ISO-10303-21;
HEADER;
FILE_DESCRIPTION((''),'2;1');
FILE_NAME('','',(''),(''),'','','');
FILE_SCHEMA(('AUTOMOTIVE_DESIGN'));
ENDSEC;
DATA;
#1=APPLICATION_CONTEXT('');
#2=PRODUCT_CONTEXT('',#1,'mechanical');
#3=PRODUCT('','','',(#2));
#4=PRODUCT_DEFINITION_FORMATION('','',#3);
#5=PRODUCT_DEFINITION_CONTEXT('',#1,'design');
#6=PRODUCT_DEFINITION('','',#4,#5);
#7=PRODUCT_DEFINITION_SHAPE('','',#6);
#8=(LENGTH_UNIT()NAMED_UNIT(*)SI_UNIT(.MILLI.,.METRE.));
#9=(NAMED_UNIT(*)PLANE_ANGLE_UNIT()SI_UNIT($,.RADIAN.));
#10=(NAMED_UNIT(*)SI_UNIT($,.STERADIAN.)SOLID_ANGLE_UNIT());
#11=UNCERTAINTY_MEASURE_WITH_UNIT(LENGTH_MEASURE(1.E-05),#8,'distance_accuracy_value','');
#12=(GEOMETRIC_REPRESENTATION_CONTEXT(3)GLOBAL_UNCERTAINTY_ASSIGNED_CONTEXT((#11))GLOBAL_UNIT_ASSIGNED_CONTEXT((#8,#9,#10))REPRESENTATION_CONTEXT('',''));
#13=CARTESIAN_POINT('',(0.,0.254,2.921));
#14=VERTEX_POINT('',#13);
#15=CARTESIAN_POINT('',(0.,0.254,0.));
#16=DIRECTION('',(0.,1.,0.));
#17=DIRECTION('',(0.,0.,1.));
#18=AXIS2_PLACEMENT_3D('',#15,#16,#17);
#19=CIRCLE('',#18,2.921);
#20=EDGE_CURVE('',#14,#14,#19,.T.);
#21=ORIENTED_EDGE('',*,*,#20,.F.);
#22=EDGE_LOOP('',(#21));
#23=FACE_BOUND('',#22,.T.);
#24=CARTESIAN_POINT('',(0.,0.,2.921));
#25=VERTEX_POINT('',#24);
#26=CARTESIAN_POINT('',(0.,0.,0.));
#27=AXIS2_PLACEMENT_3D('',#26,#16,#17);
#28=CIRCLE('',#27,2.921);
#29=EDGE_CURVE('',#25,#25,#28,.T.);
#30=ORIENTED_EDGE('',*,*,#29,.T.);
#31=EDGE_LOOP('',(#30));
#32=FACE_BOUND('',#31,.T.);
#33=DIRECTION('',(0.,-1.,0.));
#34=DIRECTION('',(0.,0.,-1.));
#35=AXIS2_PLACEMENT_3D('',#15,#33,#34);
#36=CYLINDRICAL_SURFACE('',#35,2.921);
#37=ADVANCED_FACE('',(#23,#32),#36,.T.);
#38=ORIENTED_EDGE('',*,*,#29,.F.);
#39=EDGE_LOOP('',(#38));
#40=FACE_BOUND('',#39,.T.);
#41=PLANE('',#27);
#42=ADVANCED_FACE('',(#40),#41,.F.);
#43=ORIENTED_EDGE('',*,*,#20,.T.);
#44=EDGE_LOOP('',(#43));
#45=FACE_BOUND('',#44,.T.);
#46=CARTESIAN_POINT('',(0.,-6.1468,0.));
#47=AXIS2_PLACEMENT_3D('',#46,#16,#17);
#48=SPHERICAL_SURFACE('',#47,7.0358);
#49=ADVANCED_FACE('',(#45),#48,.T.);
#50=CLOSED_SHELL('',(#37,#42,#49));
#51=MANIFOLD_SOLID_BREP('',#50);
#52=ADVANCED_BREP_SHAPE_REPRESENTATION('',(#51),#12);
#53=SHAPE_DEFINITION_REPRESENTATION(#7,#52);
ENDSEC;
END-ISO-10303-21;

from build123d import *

# Parameters (mm, degrees)
SKETCH1_R         = 2.921
EXTRUDE1_DEPTH    = 0.254
DOME1_FACE_RADIUS = 2.921
DOME1_HEIGHT      = 0.635


with BuildPart() as part:
    # Sketch1 → Extrude1 (new body)
    with BuildSketch(Plane(origin=(0, 0, 0), x_dir=(1, 0, 0), z_dir=(0, 1, 0))):
        with Locations(Location((0, 0, 0), (0, 0, 270))):
            Circle(SKETCH1_R)
    extrude(amount=EXTRUDE1_DEPTH)

    # Dome1: a dome of height H over a round flat face of radius A is a cap of a sphere of radius (A * A + H * H) / (2 * H)
    dome1_r = (DOME1_FACE_RADIUS * DOME1_FACE_RADIUS + DOME1_HEIGHT * DOME1_HEIGHT) / (2 * DOME1_HEIGHT)
    dome1_base = Plane((0, 0.254, 0), z_dir=(0, 1, 0))
    with Locations(dome1_base.offset(DOME1_HEIGHT - dome1_r)):
        dome1_ball = Sphere(dome1_r, mode=Mode.PRIVATE)
    add(split(dome1_ball, bisect_by=dome1_base, keep=Keep.TOP, mode=Mode.PRIVATE))


solid = part.part
